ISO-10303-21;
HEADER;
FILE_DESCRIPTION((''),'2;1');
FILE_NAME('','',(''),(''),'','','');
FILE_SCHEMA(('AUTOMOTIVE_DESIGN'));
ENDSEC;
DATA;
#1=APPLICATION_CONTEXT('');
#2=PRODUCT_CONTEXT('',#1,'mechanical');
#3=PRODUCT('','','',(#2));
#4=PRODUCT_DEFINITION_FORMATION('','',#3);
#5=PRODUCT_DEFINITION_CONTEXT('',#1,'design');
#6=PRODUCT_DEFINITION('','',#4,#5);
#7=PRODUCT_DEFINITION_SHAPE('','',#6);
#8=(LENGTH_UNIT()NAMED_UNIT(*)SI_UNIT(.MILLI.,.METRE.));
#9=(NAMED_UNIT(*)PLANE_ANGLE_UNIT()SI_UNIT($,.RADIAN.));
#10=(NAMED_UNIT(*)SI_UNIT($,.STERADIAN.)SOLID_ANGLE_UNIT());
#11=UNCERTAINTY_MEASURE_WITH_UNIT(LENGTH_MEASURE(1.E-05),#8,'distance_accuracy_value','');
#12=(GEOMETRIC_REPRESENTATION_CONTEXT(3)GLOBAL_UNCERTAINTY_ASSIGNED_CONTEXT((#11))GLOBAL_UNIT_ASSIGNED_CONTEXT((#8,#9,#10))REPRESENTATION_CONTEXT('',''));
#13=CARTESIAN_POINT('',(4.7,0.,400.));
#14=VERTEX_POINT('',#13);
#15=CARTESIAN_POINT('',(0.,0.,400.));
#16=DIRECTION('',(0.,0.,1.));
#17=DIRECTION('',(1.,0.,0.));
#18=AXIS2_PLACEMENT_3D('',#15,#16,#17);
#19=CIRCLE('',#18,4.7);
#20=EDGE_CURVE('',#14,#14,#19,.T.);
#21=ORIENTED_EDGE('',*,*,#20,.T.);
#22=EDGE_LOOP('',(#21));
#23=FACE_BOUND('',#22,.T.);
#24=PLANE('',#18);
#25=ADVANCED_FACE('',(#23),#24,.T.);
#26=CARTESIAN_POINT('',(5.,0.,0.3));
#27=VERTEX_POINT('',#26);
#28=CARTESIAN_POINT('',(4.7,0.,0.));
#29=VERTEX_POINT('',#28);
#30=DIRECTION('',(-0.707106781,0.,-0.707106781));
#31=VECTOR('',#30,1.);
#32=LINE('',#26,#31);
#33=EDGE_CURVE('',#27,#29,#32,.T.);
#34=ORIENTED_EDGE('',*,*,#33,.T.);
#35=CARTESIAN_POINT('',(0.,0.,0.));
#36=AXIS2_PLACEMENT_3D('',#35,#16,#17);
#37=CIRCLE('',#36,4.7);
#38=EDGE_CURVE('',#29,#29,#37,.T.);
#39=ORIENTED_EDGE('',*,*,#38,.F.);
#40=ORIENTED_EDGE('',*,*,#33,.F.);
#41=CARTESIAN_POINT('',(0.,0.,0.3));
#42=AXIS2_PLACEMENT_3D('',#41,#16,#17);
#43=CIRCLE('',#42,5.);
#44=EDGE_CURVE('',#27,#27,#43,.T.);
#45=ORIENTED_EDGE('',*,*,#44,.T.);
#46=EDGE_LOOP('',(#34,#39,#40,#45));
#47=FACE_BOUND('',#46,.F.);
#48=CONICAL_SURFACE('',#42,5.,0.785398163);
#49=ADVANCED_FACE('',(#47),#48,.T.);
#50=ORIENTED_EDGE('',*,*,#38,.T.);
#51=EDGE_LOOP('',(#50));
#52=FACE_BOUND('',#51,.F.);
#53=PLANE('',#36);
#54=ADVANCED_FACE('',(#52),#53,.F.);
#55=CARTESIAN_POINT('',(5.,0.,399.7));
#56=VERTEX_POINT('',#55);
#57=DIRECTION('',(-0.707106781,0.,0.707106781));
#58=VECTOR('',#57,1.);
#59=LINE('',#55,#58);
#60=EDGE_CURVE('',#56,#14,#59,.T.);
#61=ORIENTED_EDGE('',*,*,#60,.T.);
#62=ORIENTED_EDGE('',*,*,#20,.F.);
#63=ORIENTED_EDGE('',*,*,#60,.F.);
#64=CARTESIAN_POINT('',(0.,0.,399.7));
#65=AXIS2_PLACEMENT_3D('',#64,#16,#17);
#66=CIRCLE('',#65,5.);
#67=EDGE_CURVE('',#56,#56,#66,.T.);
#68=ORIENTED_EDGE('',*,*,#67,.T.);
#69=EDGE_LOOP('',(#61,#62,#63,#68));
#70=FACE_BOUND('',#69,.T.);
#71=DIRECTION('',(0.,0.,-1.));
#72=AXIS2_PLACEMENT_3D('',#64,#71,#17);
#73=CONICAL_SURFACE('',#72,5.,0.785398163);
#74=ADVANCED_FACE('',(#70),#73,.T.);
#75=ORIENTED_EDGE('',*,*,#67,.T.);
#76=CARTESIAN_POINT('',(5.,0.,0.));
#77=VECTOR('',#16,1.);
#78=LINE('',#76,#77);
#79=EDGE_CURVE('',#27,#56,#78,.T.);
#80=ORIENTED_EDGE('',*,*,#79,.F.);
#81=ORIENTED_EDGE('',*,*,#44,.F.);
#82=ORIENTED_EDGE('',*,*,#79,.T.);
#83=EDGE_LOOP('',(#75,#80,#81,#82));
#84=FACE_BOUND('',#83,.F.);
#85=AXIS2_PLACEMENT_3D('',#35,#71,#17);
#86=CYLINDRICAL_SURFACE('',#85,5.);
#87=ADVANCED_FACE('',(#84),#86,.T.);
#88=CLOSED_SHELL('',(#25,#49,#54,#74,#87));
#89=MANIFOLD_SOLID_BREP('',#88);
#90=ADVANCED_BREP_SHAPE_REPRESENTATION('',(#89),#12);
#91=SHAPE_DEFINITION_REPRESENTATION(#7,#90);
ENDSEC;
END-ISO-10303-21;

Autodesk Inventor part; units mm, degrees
ref_plane "YZ Plane" through (0, 0, 0) normal (1, 0, 0) x (0, 1, 0)
ref_plane "XZ Plane" through (0, 0, 0) normal (0, 1, 0) x (-1, 0, 0)
ref_plane "XY Plane" through (0, 0, 0) normal (0, 0, 1) x (1, 0, 0)
sketch "Sketch1" plane through (0, 0, 0) normal (0, 0, 1) x (1, 0, 0)
  circle A0 centre (0, 0) radius 5
  dimension "Base" = 10
extrude "Extrusion1" add sketch "Sketch1" along normal blind 400
chamfer "Chamfer1" distance 0.3 angle 45 2 edges at (-5, 0, 400) (-5, 0, 0)
properties part number "rodshaft_10x400"
